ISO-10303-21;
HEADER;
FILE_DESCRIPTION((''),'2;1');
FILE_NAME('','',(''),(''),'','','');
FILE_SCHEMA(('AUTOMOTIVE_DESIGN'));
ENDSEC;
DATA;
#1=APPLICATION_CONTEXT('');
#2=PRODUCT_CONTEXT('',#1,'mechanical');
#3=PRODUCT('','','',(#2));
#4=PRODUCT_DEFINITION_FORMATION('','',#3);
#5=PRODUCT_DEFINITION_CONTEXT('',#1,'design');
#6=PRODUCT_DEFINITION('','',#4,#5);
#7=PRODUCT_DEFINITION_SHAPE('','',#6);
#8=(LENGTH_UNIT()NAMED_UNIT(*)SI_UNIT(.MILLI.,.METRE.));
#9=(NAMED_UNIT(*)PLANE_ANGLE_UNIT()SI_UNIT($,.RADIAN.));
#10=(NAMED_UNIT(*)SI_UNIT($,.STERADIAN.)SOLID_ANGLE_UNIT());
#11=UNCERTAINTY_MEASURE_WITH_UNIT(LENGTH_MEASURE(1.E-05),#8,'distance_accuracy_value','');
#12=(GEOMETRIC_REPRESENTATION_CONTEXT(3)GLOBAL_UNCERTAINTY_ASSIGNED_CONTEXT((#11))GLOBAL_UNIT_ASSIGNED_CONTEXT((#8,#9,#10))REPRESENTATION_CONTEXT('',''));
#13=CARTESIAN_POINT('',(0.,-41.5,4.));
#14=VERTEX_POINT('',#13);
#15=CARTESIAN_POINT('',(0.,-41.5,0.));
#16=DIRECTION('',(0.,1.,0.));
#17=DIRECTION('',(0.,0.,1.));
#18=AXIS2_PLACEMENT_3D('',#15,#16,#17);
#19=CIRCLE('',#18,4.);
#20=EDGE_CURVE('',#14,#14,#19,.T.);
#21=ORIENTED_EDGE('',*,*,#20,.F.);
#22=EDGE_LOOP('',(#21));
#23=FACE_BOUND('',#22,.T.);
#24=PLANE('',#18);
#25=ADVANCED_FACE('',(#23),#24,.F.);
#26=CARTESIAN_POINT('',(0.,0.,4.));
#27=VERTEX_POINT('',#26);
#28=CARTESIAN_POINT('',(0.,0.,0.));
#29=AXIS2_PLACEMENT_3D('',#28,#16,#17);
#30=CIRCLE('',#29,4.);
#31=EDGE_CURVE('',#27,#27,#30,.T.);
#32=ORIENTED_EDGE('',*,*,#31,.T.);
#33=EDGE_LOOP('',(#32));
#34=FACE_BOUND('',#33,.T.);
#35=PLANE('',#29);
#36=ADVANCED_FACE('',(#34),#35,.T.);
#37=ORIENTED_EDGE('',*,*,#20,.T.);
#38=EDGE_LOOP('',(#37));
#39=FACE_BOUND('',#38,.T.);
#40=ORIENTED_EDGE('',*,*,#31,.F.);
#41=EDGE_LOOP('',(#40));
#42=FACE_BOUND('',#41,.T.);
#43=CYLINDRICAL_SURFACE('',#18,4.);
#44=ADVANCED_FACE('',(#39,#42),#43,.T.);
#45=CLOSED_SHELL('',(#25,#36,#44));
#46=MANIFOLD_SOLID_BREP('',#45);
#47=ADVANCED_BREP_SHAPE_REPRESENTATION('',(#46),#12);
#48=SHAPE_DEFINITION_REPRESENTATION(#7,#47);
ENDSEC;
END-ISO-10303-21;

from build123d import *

# Parameters (mm, degrees)
SKETCH1_R      = 4
EXTRUDE1_DEPTH = 41.5


with BuildPart() as part:
    # Sketch1 → Extrude1 (new body)
    with BuildSketch(Plane(origin=(0, 0, 0), x_dir=(1, 0, 0), z_dir=(0, 1, 0))):
        with Locations(Location((0, 0, 0), (0, 0, 270))):  # turned: the seam where the file's is
            Circle(SKETCH1_R)
    extrude(amount=-EXTRUDE1_DEPTH)


solid = part.part
